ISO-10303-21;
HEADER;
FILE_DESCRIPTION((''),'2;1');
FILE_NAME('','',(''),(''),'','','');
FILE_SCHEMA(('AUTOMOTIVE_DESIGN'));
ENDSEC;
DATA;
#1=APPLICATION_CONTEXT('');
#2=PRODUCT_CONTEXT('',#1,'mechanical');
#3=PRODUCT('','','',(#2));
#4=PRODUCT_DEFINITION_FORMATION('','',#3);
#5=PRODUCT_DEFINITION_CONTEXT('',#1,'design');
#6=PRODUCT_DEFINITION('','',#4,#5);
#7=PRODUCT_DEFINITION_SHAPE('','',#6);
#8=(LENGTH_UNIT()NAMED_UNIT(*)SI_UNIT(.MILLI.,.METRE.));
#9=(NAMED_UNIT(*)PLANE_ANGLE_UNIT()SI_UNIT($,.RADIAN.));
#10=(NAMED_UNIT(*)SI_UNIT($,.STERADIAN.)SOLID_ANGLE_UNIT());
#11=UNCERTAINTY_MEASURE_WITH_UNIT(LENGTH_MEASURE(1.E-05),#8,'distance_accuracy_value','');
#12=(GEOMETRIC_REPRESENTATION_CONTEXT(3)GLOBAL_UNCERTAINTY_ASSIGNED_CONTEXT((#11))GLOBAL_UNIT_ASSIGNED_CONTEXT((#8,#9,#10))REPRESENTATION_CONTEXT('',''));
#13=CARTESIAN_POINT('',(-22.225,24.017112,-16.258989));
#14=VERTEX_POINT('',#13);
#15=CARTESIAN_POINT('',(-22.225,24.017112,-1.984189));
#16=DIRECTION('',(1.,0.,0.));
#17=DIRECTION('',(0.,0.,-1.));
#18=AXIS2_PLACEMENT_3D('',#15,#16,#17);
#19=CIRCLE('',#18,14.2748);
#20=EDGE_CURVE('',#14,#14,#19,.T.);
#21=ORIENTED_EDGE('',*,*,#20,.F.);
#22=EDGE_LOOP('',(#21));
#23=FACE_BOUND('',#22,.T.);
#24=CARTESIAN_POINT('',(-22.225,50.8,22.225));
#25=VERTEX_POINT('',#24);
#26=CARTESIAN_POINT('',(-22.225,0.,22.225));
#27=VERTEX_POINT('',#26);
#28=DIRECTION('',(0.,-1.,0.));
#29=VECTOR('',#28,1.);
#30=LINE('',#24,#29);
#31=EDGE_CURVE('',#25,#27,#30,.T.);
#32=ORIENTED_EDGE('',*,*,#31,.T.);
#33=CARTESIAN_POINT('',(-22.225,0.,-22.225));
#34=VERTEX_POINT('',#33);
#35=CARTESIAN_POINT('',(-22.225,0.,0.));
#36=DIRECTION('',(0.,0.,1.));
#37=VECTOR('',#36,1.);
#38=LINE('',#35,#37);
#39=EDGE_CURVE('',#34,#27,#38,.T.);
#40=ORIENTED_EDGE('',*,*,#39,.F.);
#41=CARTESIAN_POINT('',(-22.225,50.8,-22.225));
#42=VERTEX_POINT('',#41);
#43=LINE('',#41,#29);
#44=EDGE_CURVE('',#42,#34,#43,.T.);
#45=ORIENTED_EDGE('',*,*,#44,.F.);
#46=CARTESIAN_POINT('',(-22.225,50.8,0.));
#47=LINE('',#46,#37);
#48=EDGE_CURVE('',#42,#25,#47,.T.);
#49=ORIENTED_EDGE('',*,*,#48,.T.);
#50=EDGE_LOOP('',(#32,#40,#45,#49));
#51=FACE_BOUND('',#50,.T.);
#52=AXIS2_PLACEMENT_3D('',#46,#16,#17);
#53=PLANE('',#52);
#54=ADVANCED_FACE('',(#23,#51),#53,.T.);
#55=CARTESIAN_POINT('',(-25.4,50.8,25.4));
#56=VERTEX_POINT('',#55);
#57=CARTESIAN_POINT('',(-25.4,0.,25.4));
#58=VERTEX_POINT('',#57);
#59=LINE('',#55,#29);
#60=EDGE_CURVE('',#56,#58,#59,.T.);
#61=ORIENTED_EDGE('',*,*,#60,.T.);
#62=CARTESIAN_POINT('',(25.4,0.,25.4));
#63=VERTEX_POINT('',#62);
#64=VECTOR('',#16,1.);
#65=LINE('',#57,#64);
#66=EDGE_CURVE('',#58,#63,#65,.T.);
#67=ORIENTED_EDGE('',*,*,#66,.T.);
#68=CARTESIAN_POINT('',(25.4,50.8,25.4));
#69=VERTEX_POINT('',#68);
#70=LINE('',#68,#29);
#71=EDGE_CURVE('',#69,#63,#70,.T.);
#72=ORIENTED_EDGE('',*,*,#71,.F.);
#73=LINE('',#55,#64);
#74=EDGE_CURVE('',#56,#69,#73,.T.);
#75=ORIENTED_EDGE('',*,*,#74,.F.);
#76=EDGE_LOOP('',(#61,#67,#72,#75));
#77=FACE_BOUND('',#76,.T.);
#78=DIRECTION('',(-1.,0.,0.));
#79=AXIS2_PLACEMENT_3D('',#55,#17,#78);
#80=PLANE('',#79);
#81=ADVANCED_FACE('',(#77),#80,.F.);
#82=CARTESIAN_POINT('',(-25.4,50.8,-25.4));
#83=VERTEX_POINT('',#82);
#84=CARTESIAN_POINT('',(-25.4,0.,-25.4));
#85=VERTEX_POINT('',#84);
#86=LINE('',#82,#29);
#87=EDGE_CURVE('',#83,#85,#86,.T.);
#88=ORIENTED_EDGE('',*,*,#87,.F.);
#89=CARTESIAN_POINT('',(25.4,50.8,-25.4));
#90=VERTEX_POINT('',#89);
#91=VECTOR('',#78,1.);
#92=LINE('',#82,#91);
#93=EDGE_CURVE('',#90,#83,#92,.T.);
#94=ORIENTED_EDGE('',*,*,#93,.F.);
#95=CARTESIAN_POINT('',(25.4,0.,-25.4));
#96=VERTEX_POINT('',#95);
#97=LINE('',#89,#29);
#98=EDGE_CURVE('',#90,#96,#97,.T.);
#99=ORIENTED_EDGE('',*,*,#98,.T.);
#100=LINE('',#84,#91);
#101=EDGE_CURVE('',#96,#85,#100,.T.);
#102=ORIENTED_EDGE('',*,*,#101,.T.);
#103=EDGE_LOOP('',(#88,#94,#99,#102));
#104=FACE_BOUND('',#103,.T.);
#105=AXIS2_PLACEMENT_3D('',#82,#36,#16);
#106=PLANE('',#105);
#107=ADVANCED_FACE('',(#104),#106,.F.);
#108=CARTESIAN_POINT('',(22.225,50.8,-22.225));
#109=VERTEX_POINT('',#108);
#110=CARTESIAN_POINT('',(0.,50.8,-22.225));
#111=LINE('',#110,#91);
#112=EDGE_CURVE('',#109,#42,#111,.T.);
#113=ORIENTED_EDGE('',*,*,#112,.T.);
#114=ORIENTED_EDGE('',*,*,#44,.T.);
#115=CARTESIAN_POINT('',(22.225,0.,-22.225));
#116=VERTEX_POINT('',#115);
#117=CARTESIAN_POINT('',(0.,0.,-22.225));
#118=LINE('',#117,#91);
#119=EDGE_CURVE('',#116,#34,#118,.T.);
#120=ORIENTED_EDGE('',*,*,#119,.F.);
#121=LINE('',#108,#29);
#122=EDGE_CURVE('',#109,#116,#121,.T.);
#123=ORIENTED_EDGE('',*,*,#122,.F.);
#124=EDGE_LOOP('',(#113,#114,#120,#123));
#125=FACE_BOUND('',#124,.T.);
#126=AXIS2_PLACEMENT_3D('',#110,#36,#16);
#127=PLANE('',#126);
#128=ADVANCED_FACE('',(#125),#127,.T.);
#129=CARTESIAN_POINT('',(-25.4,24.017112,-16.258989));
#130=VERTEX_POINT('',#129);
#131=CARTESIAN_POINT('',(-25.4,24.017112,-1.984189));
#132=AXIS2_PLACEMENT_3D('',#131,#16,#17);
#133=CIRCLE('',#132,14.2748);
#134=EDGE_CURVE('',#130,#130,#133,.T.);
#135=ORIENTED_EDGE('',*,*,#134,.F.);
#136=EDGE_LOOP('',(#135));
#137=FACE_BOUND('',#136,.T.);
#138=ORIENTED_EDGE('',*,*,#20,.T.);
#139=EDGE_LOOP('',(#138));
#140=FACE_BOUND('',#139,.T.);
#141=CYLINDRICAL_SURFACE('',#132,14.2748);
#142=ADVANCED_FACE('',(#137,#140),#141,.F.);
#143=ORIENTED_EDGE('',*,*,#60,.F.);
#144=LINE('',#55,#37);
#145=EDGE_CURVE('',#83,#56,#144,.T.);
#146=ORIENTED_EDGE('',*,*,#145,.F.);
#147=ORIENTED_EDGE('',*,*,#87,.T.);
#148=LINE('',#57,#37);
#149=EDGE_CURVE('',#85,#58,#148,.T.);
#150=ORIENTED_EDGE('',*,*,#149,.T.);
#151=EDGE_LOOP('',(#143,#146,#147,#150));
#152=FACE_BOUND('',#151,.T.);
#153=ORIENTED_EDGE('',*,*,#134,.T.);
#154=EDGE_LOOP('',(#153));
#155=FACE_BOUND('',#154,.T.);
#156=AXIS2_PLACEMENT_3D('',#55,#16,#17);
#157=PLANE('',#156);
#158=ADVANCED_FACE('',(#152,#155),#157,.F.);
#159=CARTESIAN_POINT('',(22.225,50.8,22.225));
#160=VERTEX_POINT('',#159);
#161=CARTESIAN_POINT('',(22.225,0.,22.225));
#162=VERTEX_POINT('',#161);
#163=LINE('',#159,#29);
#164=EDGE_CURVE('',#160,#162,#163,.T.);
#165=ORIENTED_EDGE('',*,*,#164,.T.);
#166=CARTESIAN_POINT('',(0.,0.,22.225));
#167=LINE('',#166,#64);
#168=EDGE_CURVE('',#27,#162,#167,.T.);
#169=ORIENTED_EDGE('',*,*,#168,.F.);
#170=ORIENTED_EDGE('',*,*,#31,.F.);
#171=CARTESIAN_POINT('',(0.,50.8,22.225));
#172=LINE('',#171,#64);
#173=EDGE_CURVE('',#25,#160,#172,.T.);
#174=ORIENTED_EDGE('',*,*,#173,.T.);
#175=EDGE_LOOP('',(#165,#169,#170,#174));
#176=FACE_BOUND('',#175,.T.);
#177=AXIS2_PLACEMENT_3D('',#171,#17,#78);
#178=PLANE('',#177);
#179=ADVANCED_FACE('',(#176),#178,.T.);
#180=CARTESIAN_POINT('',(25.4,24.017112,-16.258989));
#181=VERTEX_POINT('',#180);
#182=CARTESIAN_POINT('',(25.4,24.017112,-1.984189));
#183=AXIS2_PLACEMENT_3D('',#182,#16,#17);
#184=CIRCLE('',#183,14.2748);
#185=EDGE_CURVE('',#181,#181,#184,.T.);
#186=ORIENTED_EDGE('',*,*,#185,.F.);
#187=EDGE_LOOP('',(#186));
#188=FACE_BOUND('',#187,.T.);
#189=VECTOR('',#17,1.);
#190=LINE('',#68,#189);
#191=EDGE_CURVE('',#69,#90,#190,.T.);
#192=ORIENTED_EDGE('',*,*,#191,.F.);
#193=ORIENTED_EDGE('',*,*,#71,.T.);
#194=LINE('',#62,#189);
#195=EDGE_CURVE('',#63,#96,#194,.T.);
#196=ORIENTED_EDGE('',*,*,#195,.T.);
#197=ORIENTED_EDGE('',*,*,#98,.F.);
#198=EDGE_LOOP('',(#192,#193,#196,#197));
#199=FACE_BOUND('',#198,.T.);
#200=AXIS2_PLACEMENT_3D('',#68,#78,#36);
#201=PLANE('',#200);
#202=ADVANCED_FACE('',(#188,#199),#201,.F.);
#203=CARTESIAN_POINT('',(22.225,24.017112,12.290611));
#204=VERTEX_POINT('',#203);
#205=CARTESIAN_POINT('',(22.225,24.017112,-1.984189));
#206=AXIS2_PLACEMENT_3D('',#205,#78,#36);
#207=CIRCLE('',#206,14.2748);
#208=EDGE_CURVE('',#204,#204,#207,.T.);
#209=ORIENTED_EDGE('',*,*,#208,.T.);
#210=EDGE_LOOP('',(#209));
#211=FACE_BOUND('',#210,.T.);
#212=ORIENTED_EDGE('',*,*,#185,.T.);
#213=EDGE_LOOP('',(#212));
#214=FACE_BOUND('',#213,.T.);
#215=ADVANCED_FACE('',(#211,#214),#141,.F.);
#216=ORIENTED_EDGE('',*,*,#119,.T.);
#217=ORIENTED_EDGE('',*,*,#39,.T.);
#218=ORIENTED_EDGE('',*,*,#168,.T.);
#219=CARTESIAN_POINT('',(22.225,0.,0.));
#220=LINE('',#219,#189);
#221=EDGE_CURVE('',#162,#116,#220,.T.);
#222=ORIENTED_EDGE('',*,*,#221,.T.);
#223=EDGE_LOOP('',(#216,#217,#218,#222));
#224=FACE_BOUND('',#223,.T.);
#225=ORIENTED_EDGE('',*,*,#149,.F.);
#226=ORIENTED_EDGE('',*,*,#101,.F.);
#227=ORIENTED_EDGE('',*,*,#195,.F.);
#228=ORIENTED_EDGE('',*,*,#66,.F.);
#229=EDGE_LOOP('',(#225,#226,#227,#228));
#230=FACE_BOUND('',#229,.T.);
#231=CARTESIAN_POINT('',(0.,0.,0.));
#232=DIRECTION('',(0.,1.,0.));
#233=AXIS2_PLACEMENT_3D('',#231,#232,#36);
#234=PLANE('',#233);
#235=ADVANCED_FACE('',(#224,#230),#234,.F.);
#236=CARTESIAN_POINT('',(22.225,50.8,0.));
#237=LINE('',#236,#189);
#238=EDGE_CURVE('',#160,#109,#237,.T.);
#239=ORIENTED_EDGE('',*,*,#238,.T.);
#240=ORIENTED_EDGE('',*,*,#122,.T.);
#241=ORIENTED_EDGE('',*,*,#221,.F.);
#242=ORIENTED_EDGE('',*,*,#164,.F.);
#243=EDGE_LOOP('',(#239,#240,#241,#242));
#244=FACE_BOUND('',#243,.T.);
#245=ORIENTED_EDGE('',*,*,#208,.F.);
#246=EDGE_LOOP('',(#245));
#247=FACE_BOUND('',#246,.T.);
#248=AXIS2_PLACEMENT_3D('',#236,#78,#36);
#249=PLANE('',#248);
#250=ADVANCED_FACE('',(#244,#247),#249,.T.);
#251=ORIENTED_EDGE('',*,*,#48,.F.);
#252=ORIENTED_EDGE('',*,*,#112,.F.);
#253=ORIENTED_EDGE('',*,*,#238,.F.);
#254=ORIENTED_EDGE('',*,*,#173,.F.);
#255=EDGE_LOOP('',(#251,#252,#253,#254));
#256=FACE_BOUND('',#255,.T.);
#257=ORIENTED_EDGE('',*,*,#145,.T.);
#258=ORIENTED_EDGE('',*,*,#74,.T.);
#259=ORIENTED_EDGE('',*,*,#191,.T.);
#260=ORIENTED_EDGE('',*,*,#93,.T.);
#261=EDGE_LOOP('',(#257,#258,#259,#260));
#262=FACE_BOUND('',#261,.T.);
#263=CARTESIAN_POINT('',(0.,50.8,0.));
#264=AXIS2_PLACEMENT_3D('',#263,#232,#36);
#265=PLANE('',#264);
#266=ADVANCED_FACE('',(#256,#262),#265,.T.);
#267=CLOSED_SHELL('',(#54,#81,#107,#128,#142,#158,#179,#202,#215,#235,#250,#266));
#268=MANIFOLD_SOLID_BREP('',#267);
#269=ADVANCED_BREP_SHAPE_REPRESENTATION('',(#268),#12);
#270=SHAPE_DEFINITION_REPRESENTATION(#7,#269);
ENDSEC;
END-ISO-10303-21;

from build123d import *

# Parameters (mm, degrees)
SKETCH1_W           = 50.8
SKETCH1_H           = 50.8
SKETCH1_W_2         = 44.45
SKETCH1_H_2         = 44.45
EXTRUDE_THIN1_DEPTH = 50.8
SKETCH2_R           = 14.2748
CUT_EXTRUDE1_DEPTH  = 51.8


with BuildPart() as part:
    # Sketch1 → Extrude-Thin1 (new body)
    with BuildSketch(Plane(origin=(0, 0, 0), x_dir=(1, 0, 0), z_dir=(0, 1, 0))):
        Rectangle(SKETCH1_W, SKETCH1_H)
        Rectangle(SKETCH1_W_2, SKETCH1_H_2, mode=Mode.SUBTRACT)
    extrude(amount=EXTRUDE_THIN1_DEPTH)

    # Sketch2 → Cut-Extrude1 (cut, through all)
    with BuildSketch(Plane(origin=(25.4, 0, 0), x_dir=(0, 0, -1), z_dir=(1, 0, 0))):
        with Locations((1.984188633, 24.017111705)):
            Circle(SKETCH2_R)
    extrude(amount=-CUT_EXTRUDE1_DEPTH, mode=Mode.SUBTRACT)


solid = part.part
